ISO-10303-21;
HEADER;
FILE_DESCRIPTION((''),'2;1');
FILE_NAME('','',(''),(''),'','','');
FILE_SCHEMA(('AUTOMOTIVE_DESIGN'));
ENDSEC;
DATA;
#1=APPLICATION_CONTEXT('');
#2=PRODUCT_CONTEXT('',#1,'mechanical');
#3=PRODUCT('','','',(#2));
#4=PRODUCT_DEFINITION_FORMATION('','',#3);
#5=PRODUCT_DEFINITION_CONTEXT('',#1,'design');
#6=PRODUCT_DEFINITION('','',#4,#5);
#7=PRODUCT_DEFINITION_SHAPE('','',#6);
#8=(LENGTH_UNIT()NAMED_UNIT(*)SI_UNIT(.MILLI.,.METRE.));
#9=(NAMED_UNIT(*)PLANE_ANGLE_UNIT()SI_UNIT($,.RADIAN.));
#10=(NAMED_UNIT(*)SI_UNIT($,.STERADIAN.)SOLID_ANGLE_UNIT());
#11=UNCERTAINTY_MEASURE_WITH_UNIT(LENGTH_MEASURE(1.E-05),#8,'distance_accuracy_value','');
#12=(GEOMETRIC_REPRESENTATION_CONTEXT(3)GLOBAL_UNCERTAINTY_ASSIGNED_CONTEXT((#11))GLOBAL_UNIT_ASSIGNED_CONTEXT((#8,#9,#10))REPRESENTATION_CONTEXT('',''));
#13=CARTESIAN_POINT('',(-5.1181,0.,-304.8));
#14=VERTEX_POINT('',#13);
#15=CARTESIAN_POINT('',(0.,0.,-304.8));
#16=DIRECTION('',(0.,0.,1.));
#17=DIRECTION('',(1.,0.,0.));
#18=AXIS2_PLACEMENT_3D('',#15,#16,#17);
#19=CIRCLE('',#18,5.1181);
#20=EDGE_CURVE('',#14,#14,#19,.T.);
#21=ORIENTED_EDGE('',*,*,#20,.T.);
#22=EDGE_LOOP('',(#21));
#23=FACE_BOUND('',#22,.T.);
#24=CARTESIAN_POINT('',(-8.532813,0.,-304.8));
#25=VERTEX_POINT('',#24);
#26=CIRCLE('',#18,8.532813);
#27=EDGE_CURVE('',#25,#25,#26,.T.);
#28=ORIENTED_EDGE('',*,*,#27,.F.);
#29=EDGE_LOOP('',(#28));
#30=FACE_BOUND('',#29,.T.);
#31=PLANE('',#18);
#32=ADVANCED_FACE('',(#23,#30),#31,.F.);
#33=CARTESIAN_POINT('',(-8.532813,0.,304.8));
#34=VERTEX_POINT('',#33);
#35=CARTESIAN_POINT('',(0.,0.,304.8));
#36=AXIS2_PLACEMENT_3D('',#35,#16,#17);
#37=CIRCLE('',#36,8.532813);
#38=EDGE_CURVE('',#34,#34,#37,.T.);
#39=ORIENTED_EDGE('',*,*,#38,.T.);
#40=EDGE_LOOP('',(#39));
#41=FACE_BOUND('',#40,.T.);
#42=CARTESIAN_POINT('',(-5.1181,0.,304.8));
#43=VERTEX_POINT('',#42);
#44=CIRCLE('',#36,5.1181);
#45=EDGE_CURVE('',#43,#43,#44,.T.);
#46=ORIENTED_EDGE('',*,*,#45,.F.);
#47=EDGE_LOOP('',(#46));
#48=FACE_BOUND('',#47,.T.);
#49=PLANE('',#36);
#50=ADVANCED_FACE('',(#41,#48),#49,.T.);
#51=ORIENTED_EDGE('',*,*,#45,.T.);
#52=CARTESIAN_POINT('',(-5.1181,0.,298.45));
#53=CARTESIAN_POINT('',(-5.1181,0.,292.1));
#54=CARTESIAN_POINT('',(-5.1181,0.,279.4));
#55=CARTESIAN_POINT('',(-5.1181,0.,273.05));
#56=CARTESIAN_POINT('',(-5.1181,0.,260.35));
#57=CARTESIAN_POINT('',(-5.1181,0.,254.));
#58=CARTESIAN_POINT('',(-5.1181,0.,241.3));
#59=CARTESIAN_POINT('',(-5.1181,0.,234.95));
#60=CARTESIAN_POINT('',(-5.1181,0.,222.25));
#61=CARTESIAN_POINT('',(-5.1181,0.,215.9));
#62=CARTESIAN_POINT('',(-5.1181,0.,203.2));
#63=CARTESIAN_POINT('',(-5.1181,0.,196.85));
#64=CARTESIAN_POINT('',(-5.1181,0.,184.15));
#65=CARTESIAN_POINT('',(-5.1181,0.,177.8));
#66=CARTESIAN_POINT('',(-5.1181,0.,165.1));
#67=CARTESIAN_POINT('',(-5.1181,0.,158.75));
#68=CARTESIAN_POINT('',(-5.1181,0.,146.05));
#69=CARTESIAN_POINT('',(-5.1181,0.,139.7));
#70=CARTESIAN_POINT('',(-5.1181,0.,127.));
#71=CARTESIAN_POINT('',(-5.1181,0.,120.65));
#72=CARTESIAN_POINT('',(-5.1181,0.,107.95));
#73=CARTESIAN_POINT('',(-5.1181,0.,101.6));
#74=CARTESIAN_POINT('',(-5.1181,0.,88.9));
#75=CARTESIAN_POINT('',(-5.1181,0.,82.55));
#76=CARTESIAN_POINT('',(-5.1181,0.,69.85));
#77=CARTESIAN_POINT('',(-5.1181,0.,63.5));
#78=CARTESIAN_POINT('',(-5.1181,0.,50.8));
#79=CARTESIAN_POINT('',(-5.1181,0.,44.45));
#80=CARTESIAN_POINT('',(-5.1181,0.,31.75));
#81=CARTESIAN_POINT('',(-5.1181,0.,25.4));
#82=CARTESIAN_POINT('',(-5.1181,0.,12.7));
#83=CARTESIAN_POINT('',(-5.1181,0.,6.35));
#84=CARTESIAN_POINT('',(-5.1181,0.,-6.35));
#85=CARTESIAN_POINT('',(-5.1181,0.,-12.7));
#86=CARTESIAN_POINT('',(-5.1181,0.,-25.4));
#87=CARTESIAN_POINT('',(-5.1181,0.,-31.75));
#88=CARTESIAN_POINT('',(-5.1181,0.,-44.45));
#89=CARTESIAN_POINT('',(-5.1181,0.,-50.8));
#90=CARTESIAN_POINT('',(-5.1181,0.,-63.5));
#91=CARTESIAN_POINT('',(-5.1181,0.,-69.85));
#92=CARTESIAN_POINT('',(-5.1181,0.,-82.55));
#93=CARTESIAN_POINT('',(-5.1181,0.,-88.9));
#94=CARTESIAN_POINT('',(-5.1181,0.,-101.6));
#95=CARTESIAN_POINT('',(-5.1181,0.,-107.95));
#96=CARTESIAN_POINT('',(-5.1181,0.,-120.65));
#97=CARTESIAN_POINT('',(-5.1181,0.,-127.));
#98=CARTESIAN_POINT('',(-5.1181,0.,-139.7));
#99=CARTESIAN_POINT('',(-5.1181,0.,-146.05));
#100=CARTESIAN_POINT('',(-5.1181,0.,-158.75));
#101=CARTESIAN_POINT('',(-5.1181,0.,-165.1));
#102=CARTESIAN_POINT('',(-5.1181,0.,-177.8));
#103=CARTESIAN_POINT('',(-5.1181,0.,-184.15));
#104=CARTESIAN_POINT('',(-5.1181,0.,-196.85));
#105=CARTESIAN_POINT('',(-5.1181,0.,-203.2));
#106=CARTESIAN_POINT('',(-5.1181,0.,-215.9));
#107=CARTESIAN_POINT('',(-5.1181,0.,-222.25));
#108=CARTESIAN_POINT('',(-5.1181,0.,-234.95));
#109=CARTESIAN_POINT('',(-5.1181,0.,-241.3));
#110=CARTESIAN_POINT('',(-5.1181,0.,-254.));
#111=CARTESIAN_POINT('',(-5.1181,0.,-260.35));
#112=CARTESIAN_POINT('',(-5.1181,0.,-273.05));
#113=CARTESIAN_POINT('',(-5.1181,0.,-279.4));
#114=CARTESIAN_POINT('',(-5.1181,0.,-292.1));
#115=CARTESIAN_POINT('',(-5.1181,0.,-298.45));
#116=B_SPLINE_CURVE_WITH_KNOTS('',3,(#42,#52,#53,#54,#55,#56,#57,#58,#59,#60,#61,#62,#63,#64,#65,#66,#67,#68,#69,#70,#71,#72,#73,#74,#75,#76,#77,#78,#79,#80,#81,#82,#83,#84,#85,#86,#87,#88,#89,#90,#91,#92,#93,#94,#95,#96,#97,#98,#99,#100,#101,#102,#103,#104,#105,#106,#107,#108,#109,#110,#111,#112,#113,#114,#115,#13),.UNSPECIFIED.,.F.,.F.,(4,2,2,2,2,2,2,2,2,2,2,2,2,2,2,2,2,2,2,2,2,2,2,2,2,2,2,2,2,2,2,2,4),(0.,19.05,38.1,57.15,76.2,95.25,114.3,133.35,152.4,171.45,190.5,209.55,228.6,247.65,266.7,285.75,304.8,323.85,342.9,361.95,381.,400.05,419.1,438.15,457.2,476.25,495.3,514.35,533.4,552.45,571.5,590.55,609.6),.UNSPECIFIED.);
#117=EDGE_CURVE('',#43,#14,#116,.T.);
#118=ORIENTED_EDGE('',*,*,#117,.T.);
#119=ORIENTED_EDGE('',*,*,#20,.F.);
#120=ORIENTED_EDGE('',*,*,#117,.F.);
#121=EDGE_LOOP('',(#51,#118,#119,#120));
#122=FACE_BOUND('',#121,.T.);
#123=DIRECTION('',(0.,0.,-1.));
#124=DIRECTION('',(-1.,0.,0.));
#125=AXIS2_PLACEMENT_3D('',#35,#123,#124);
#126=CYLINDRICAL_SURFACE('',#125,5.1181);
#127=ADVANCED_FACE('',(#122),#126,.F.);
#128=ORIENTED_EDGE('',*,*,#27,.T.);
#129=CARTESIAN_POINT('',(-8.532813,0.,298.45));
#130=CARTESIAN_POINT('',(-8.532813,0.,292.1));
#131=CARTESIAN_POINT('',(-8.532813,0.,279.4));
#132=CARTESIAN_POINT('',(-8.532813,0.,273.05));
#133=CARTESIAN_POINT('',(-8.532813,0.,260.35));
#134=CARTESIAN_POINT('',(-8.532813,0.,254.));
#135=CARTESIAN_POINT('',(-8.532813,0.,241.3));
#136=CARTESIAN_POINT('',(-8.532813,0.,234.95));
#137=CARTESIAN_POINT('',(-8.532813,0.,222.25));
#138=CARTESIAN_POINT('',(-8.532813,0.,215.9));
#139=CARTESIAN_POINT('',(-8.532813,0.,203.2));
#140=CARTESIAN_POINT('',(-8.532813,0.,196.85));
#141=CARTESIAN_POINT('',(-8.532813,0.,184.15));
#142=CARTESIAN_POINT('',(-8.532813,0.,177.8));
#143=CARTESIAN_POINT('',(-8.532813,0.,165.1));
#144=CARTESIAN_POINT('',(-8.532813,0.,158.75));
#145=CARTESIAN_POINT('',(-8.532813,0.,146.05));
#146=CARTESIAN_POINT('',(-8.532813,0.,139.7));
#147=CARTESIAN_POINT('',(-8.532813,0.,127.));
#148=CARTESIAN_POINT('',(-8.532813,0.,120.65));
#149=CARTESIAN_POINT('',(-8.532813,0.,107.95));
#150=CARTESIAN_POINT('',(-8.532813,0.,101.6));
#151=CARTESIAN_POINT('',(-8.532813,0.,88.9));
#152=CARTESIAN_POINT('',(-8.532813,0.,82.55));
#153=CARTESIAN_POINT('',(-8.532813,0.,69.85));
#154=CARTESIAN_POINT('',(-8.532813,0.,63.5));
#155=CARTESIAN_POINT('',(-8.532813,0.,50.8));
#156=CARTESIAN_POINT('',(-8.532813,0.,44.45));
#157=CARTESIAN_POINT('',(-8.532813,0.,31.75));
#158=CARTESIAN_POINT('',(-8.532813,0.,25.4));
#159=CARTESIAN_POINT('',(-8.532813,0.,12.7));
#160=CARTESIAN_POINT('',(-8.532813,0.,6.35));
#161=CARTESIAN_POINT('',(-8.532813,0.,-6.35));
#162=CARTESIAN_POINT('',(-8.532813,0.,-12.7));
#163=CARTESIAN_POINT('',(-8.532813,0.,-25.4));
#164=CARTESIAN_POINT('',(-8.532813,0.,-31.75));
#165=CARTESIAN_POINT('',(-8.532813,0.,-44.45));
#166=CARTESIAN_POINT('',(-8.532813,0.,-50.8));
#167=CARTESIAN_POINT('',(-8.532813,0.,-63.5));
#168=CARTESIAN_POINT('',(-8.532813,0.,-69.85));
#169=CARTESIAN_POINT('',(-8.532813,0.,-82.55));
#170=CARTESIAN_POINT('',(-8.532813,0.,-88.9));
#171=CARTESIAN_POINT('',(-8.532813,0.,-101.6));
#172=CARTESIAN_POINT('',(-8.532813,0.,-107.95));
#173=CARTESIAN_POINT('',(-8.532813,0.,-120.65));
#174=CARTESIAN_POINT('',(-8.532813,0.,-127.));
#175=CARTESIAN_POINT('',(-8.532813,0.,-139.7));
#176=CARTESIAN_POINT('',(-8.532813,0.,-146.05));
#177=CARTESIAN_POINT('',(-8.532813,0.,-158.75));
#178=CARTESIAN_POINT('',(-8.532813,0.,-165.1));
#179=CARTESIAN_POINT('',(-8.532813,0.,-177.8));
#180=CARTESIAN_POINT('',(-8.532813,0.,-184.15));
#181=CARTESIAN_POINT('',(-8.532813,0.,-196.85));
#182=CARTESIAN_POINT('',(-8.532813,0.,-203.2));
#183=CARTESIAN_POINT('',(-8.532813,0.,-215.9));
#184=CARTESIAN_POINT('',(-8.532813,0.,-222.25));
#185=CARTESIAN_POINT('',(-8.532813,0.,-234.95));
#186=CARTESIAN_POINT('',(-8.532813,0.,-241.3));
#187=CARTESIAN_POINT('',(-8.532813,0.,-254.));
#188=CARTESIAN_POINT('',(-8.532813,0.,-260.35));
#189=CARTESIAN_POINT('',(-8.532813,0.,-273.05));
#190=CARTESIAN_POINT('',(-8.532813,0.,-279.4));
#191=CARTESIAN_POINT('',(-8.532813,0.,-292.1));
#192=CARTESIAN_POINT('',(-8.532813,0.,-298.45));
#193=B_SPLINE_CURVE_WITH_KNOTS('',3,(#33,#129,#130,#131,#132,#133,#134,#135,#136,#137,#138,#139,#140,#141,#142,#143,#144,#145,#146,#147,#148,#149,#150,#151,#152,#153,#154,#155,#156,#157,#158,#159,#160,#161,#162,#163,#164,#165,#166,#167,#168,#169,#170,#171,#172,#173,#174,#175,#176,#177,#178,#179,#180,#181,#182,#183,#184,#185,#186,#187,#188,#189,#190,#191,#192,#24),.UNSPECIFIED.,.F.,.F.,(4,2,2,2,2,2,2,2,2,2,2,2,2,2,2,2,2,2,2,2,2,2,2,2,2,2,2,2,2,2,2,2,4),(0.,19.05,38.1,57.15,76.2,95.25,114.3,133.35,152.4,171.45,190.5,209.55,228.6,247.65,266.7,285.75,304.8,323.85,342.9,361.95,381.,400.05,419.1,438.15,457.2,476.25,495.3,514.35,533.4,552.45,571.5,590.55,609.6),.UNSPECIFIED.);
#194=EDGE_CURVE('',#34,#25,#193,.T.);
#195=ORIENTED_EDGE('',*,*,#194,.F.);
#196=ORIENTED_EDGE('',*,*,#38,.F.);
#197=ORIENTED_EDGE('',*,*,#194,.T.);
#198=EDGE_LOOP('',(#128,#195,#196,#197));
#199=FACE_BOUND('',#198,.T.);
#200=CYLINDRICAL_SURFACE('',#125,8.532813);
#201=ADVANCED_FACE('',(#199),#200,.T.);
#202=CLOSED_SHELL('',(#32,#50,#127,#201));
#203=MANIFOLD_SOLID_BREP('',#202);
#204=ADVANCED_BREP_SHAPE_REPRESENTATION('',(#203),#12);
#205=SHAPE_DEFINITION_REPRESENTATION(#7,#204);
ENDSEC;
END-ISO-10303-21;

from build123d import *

# Parameters (mm, degrees)
BOSS_EXTRUDE1_DEPTH      = 304.8
BOSS_EXTRUDE1_DEPTH_BACK = 304.8
SKETCH3_R                = 8.5328125
SKETCH3_R_2              = 5.1181


with BuildPart() as part:
    # Sketch3 → Boss-Extrude1 (new, two sides: drawn at the far end of the back side and taken through both)
    with BuildSketch(Plane.XY.offset(-BOSS_EXTRUDE1_DEPTH_BACK)):
        with Locations(Location((0, 0, 0), (0, 0, 180))):
            Circle(SKETCH3_R)
        with Locations(Location((0, 0, 0), (0, 0, 180))):
            Circle(SKETCH3_R_2, mode=Mode.SUBTRACT)
    extrude(amount=BOSS_EXTRUDE1_DEPTH + BOSS_EXTRUDE1_DEPTH_BACK)


solid = part.part
